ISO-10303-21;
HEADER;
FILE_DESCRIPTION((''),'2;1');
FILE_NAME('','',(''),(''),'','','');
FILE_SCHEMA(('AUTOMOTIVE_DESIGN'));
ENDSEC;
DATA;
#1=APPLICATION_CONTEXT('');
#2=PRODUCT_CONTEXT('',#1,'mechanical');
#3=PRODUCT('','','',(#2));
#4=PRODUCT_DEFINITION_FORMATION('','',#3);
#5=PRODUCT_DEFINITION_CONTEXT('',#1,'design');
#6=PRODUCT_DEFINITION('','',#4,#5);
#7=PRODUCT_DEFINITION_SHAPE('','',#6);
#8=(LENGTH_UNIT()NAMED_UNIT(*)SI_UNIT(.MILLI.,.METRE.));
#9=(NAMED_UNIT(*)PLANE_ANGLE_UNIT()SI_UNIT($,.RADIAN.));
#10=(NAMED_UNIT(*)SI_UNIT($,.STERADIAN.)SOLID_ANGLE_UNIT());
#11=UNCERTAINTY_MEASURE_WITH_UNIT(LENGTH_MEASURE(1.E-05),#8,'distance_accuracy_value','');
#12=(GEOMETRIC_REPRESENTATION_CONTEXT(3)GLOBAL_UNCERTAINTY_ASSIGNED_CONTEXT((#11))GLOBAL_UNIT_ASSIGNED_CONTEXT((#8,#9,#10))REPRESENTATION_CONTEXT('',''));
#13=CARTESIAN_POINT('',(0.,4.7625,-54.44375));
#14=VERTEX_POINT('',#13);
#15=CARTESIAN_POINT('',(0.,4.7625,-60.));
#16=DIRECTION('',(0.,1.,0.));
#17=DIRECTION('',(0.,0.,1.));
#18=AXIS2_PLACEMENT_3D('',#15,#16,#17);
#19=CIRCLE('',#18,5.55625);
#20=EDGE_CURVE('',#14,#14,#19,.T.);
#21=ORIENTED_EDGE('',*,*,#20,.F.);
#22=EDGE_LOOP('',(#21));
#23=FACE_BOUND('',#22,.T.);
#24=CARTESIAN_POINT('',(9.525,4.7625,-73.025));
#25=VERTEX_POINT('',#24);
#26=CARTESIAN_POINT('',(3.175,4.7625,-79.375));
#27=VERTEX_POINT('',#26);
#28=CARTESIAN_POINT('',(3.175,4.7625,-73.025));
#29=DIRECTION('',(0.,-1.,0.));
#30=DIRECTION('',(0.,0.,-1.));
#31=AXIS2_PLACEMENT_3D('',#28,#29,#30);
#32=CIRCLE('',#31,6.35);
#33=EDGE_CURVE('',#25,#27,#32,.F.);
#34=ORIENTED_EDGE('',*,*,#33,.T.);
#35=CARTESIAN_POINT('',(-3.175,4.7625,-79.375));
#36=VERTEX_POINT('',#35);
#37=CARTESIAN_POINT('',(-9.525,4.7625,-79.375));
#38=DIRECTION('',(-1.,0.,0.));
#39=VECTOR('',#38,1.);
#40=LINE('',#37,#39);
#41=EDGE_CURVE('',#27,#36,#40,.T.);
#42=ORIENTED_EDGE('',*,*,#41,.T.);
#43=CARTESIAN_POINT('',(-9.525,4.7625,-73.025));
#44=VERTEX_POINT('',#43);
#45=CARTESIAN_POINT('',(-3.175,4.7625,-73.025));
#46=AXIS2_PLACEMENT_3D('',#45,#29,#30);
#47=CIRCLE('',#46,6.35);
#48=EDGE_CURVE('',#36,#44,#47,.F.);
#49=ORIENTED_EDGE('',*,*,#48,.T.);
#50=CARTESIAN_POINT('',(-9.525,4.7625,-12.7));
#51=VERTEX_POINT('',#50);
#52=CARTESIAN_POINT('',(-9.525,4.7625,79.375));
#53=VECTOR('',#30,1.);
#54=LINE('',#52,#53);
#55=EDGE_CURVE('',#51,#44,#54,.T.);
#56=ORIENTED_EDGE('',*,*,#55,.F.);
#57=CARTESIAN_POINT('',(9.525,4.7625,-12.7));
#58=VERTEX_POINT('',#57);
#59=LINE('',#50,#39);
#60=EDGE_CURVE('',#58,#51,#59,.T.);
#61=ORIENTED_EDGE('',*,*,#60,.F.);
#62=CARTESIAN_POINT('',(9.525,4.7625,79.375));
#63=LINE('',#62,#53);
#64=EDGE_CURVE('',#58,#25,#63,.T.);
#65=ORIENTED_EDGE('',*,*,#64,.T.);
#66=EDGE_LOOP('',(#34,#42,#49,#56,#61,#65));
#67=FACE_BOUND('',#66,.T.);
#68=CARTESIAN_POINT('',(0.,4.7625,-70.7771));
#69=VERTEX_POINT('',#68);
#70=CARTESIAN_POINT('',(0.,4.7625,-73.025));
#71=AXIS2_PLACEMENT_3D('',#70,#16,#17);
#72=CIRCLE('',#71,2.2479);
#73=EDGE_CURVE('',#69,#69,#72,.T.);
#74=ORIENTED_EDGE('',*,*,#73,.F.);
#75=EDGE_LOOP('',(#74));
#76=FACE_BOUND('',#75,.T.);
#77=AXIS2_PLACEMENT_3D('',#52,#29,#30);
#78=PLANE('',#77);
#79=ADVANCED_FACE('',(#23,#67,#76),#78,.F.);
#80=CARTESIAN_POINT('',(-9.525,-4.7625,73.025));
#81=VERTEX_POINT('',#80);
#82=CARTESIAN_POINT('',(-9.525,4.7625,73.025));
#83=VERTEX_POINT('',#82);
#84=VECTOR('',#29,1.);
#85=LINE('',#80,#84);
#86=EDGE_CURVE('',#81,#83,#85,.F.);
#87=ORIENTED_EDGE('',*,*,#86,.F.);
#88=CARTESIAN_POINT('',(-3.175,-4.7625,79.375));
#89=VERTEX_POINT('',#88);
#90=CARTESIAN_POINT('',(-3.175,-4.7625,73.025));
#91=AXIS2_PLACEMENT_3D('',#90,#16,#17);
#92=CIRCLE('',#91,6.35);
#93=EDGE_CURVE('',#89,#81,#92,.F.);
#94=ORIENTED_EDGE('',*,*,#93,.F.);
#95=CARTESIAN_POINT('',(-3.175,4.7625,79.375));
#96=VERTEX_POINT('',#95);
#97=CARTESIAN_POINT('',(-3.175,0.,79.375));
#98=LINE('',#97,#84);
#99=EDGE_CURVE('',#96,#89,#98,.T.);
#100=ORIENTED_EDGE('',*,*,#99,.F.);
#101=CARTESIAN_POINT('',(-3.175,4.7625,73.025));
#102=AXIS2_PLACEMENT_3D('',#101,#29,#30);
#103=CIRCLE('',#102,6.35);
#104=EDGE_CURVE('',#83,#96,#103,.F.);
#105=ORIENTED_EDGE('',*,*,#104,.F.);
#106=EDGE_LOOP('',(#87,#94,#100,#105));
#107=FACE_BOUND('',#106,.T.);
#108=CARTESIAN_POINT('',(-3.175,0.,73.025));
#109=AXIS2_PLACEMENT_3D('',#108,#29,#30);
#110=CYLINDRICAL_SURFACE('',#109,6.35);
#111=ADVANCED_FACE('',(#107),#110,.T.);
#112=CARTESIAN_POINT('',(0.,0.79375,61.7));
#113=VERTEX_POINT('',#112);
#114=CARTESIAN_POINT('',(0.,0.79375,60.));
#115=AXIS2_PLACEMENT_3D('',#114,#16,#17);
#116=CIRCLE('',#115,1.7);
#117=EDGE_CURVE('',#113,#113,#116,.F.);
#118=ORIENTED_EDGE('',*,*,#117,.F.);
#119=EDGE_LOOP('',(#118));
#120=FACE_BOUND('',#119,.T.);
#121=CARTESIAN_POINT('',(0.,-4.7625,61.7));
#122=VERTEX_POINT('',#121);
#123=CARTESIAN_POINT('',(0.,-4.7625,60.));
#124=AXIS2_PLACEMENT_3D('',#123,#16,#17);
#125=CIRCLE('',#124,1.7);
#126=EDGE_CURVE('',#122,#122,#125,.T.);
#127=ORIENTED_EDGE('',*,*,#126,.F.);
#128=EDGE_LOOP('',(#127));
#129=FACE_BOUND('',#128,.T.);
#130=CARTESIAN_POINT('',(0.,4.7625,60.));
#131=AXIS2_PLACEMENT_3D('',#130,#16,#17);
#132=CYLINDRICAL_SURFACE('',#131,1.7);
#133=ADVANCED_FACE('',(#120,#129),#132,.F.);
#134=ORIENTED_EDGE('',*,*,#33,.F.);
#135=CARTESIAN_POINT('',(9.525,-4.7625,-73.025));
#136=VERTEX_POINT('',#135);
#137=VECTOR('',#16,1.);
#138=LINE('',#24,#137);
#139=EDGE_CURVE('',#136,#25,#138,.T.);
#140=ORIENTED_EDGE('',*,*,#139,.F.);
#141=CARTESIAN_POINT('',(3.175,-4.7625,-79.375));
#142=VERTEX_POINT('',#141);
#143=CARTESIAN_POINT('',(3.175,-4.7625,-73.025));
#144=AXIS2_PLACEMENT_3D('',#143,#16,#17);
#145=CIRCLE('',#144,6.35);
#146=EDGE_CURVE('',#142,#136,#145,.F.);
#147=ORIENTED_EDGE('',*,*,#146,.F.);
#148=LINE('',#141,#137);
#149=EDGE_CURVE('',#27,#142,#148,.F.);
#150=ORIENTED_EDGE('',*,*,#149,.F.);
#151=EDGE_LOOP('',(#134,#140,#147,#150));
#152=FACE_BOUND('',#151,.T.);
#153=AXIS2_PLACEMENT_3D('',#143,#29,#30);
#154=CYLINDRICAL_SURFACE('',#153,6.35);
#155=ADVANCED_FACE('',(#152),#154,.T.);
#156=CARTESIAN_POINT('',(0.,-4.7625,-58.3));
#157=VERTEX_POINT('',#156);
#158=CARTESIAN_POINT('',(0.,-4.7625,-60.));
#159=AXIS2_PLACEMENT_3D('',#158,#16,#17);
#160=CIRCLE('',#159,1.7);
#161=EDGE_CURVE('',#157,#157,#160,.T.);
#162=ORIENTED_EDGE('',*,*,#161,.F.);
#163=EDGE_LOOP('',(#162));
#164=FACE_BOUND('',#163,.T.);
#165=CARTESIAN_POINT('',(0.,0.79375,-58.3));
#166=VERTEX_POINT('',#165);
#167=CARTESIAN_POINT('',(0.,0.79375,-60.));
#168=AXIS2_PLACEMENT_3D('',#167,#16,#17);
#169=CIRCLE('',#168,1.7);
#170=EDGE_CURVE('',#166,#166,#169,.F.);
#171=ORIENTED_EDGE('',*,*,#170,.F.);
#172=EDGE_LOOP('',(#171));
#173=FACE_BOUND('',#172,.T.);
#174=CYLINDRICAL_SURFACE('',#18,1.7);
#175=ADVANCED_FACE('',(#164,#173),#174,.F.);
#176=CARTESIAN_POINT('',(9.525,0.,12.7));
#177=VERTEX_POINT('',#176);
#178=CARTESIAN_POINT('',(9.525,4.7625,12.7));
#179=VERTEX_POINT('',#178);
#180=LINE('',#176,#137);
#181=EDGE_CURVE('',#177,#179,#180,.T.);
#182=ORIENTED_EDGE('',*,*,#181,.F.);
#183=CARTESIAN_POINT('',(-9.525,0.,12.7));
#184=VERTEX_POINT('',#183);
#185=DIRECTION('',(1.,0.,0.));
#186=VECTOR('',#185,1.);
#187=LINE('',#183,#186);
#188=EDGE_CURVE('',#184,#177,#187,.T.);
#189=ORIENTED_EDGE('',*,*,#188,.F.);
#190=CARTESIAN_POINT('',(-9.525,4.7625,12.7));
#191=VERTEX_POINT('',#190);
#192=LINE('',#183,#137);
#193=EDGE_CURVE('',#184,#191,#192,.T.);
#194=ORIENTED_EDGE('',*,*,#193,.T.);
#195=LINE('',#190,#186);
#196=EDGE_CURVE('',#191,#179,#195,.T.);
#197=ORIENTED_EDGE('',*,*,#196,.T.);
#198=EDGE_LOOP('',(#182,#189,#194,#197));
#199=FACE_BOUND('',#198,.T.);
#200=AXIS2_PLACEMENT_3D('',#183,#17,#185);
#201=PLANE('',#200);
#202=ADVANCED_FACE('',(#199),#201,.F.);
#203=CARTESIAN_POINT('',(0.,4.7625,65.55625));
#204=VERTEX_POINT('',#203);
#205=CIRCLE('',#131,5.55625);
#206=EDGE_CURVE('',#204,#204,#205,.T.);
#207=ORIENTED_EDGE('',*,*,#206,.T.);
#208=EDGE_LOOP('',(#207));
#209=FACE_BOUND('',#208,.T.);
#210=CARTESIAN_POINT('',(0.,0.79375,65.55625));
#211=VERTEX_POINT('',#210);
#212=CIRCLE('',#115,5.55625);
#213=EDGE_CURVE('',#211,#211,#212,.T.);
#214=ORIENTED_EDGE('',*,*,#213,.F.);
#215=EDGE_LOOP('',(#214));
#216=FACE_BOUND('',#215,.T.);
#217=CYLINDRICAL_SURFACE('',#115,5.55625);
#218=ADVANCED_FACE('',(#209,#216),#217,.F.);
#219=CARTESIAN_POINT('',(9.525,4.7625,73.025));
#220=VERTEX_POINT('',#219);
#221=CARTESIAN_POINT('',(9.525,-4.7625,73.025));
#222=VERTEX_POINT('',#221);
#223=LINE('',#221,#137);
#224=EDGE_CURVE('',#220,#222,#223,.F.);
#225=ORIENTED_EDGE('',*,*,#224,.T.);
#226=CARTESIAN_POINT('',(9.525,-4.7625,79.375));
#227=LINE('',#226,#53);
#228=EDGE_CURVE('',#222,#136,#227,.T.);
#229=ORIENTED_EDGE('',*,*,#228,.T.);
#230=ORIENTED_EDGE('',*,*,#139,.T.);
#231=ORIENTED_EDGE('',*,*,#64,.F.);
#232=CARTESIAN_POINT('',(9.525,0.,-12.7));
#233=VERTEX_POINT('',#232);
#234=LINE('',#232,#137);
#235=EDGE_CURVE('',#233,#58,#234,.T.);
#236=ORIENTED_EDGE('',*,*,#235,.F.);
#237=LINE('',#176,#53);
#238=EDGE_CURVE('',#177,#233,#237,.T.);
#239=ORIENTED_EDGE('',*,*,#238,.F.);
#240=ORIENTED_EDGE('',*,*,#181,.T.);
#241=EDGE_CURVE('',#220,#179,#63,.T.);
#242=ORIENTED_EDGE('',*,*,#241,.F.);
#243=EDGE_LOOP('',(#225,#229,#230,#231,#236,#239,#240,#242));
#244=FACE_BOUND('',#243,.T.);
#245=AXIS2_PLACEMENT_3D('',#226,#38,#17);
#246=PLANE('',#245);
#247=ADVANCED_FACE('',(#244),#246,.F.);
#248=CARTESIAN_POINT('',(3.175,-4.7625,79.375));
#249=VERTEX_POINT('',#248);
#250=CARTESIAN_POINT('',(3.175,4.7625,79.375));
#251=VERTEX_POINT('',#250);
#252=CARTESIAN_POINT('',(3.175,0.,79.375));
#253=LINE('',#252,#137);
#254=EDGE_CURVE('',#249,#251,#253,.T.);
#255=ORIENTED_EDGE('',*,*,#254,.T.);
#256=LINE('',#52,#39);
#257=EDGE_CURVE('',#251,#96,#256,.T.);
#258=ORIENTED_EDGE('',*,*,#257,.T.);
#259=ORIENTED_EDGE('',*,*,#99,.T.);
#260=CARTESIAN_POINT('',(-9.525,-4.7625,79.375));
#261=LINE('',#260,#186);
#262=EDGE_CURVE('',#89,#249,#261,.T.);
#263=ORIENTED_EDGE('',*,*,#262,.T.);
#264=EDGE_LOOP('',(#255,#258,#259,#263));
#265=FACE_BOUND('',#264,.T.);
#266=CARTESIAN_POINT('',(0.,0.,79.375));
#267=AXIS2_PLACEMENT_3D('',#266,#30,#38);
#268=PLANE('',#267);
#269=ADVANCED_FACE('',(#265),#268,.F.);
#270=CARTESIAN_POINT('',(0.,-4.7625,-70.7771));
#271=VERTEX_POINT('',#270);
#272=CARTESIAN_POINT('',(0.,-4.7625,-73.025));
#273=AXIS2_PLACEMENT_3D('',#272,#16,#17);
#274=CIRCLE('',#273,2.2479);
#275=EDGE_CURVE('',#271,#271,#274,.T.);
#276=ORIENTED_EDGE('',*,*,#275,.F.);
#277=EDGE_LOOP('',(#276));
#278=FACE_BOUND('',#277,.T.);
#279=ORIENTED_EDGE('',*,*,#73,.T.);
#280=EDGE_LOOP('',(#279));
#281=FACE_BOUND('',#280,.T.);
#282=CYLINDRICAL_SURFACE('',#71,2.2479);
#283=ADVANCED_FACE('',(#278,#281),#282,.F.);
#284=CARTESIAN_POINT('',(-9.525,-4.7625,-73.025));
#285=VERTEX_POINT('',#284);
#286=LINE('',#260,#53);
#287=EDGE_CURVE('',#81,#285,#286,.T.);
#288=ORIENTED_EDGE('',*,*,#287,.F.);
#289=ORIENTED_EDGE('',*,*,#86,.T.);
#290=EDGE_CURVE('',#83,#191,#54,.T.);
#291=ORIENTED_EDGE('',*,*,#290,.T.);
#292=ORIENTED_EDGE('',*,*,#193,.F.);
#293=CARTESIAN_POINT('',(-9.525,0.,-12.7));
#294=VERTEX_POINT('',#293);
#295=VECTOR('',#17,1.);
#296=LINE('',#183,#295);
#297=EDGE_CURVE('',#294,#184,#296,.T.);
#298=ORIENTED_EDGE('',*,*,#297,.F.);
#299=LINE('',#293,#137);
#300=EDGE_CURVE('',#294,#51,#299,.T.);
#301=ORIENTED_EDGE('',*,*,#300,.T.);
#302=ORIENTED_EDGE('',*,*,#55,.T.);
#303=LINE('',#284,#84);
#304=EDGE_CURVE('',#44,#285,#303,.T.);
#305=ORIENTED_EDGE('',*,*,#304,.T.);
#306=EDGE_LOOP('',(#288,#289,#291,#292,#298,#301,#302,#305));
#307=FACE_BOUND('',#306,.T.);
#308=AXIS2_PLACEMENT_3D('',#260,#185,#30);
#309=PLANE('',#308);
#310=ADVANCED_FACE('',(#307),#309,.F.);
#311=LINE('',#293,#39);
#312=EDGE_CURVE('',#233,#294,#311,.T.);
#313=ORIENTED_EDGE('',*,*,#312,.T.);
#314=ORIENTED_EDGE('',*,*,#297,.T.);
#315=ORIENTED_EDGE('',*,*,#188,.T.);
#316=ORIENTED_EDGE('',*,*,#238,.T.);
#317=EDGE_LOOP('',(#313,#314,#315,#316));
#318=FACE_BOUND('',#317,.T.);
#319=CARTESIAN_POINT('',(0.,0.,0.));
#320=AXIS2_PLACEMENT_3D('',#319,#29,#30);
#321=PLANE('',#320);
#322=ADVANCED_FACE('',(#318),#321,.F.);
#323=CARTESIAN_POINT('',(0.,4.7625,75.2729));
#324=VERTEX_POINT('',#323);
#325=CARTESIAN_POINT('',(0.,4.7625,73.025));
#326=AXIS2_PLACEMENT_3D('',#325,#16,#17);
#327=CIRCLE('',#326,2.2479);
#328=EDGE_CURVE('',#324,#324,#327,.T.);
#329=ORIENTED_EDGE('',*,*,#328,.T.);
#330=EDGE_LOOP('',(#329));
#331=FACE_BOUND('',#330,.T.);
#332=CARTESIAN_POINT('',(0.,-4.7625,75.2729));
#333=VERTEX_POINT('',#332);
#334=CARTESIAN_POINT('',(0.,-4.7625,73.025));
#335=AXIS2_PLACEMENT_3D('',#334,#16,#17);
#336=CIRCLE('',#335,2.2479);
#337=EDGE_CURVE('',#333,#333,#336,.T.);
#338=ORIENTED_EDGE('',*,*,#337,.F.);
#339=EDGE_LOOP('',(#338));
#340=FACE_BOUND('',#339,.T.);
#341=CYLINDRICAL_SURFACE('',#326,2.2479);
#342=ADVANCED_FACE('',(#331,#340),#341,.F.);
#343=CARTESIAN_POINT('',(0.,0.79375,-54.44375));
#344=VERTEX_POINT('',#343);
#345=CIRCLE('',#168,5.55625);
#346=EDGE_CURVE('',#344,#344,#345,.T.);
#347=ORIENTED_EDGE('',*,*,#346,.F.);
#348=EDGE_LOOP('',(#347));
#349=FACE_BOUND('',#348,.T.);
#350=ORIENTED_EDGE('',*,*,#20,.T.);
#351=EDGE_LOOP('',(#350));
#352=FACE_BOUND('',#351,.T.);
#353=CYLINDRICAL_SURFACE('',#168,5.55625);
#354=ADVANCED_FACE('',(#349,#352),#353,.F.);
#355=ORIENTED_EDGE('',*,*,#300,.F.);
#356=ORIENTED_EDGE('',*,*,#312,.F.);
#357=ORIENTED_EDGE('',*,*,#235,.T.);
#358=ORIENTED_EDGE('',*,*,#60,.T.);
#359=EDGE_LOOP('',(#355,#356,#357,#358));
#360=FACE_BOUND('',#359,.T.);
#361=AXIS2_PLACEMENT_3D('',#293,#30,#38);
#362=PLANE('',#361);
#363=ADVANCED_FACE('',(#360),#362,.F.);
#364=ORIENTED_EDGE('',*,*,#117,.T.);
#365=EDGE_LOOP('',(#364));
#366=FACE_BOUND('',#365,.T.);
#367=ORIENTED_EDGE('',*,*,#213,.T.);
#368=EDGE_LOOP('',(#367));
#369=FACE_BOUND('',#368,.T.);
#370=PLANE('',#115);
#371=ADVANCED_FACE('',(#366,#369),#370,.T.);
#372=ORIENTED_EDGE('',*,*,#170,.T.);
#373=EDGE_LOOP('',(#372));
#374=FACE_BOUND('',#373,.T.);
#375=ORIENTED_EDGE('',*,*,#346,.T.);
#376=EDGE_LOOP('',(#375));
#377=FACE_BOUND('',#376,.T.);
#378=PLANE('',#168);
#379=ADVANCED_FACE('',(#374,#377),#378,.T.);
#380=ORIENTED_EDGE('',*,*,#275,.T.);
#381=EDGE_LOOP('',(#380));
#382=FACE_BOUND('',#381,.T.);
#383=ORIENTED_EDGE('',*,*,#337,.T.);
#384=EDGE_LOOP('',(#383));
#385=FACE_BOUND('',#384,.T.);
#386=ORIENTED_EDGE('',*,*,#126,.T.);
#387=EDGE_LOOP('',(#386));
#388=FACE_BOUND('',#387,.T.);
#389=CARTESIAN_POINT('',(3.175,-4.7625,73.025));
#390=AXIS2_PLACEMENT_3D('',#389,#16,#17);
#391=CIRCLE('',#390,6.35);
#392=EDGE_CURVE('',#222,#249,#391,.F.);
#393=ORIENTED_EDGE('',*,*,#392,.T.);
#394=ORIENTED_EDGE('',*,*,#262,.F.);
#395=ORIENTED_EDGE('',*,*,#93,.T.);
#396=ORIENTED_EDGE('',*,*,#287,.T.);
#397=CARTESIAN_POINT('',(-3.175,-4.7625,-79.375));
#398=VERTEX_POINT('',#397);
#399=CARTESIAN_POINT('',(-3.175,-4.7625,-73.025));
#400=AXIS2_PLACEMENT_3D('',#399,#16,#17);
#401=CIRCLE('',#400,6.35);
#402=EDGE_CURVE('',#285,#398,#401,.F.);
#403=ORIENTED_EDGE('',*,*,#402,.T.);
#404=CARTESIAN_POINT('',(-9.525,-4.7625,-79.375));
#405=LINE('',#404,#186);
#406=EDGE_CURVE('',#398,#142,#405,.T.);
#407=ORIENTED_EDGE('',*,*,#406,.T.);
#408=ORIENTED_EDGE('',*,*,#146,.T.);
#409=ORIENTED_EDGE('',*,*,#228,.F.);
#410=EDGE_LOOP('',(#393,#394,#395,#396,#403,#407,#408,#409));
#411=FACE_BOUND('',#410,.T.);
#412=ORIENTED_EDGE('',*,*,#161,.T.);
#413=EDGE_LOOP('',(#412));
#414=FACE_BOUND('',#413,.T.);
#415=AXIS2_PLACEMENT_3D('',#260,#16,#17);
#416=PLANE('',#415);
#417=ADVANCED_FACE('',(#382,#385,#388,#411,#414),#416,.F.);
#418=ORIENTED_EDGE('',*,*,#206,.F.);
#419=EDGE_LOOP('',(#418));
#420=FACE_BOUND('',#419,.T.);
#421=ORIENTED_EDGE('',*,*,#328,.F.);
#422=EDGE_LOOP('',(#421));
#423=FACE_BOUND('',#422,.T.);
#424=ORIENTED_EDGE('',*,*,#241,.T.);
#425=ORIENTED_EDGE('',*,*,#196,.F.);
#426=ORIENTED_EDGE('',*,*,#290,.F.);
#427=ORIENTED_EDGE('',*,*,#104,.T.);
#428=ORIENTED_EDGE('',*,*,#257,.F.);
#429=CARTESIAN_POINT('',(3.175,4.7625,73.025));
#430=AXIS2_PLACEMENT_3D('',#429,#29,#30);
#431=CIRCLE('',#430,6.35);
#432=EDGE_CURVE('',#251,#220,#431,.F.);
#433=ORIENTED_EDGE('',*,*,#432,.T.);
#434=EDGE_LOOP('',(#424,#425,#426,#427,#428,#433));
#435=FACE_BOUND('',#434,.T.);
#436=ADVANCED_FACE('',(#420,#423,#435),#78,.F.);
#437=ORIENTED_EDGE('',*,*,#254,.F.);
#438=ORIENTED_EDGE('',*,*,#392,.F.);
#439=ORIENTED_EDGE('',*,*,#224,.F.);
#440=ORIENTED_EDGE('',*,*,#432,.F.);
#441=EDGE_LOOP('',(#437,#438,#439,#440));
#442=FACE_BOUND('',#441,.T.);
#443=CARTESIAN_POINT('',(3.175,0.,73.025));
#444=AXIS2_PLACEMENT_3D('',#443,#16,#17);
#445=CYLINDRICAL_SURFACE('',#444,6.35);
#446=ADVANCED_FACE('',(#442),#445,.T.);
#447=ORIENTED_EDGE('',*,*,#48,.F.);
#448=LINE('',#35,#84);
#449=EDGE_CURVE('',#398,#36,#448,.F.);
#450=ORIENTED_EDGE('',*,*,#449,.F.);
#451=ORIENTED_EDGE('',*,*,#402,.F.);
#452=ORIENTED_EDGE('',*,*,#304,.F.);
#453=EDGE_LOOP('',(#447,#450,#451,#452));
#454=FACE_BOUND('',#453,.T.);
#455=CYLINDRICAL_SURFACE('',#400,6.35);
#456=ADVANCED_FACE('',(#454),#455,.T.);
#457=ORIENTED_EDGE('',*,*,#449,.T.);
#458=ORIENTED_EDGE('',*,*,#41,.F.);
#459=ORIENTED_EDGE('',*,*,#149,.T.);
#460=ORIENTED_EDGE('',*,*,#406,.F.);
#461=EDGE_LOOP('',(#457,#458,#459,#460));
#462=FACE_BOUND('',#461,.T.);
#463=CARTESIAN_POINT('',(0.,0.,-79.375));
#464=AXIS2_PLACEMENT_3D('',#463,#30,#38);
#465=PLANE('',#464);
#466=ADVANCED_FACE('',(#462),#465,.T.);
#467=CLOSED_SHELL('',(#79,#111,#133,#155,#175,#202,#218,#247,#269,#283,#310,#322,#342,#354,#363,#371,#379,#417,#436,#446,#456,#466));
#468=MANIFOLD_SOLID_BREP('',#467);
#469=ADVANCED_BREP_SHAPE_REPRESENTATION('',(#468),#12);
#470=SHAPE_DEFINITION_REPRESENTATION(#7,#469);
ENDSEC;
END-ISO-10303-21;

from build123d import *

# Parameters (mm, degrees)
SKETCH1_W             = 19.05
SKETCH1_H             = 9.525
BOSS_EXTRUDE1_DEPTH   = 79.375
SKETCH2_W             = 19.05
SKETCH2_H             = 25.4
CUT_EXTRUDE1_DEPTH    = 4.7625
M3_CLEARANCE_HOLE1_D  = 3.4
SKETCH5_R             = 5.55625
CUT_EXTRUDE2_DEPTH    = 3.96875
F_8_CLEARANCE_HOLE1_D = 4.4958
FILLET1_R             = 6.35


with BuildPart() as part:
    # Sketch1 → Boss-Extrude1 (new, symmetric)
    with BuildSketch(Plane.XY):
        Rectangle(SKETCH1_W, SKETCH1_H)
    extrude(amount=BOSS_EXTRUDE1_DEPTH, both=True)

    # Sketch2 → Cut-Extrude1 (cut)
    with BuildSketch(Plane(origin=(0, 4.7625, 0), x_dir=(1, 0, 0), z_dir=(0, 1, 0))):
        Rectangle(SKETCH2_W, SKETCH2_H)
    extrude(amount=-CUT_EXTRUDE1_DEPTH, mode=Mode.SUBTRACT)

    # M3 Clearance Hole1 (through all)
    with Locations(Plane(origin=(0, 4.7625, 0), x_dir=(1, 0, 0), z_dir=(0, 1, 0))):
        with Locations((0, -60.000000015), (0, 60.000000015)):
            Hole(M3_CLEARANCE_HOLE1_D / 2)

    # Sketch5 → Cut-Extrude2 (cut)
    with BuildSketch(Plane(origin=(0, 4.7625, 0), x_dir=(1, 0, 0), z_dir=(0, 1, 0))):
        with Locations(Location((0, -60.000000015, 0), (0, 0, 270))):
            Circle(SKETCH5_R)
        with Locations(Location((0, 60.000000015, 0), (0, 0, 270))):
            Circle(SKETCH5_R)
    extrude(amount=-CUT_EXTRUDE2_DEPTH, mode=Mode.SUBTRACT)

    # #8 Clearance Hole1 (through all)
    with Locations(Plane(origin=(0, 4.7625, 0), x_dir=(1, 0, 0), z_dir=(0, 1, 0))):
        with Locations((0, -73.025), (0, 73.025)):
            Hole(F_8_CLEARANCE_HOLE1_D / 2)

    # Fillet1
    fillet1_edges = [part.edges().sort_by_distance(p)[0] for p in [
        (-9.525, 0, 79.375),
        (9.525, 0, 79.375),
        (-9.525, 0, -79.375),
        (9.525, 0, -79.375),
    ]]
    fillet(fillet1_edges, radius=FILLET1_R)


solid = part.part
